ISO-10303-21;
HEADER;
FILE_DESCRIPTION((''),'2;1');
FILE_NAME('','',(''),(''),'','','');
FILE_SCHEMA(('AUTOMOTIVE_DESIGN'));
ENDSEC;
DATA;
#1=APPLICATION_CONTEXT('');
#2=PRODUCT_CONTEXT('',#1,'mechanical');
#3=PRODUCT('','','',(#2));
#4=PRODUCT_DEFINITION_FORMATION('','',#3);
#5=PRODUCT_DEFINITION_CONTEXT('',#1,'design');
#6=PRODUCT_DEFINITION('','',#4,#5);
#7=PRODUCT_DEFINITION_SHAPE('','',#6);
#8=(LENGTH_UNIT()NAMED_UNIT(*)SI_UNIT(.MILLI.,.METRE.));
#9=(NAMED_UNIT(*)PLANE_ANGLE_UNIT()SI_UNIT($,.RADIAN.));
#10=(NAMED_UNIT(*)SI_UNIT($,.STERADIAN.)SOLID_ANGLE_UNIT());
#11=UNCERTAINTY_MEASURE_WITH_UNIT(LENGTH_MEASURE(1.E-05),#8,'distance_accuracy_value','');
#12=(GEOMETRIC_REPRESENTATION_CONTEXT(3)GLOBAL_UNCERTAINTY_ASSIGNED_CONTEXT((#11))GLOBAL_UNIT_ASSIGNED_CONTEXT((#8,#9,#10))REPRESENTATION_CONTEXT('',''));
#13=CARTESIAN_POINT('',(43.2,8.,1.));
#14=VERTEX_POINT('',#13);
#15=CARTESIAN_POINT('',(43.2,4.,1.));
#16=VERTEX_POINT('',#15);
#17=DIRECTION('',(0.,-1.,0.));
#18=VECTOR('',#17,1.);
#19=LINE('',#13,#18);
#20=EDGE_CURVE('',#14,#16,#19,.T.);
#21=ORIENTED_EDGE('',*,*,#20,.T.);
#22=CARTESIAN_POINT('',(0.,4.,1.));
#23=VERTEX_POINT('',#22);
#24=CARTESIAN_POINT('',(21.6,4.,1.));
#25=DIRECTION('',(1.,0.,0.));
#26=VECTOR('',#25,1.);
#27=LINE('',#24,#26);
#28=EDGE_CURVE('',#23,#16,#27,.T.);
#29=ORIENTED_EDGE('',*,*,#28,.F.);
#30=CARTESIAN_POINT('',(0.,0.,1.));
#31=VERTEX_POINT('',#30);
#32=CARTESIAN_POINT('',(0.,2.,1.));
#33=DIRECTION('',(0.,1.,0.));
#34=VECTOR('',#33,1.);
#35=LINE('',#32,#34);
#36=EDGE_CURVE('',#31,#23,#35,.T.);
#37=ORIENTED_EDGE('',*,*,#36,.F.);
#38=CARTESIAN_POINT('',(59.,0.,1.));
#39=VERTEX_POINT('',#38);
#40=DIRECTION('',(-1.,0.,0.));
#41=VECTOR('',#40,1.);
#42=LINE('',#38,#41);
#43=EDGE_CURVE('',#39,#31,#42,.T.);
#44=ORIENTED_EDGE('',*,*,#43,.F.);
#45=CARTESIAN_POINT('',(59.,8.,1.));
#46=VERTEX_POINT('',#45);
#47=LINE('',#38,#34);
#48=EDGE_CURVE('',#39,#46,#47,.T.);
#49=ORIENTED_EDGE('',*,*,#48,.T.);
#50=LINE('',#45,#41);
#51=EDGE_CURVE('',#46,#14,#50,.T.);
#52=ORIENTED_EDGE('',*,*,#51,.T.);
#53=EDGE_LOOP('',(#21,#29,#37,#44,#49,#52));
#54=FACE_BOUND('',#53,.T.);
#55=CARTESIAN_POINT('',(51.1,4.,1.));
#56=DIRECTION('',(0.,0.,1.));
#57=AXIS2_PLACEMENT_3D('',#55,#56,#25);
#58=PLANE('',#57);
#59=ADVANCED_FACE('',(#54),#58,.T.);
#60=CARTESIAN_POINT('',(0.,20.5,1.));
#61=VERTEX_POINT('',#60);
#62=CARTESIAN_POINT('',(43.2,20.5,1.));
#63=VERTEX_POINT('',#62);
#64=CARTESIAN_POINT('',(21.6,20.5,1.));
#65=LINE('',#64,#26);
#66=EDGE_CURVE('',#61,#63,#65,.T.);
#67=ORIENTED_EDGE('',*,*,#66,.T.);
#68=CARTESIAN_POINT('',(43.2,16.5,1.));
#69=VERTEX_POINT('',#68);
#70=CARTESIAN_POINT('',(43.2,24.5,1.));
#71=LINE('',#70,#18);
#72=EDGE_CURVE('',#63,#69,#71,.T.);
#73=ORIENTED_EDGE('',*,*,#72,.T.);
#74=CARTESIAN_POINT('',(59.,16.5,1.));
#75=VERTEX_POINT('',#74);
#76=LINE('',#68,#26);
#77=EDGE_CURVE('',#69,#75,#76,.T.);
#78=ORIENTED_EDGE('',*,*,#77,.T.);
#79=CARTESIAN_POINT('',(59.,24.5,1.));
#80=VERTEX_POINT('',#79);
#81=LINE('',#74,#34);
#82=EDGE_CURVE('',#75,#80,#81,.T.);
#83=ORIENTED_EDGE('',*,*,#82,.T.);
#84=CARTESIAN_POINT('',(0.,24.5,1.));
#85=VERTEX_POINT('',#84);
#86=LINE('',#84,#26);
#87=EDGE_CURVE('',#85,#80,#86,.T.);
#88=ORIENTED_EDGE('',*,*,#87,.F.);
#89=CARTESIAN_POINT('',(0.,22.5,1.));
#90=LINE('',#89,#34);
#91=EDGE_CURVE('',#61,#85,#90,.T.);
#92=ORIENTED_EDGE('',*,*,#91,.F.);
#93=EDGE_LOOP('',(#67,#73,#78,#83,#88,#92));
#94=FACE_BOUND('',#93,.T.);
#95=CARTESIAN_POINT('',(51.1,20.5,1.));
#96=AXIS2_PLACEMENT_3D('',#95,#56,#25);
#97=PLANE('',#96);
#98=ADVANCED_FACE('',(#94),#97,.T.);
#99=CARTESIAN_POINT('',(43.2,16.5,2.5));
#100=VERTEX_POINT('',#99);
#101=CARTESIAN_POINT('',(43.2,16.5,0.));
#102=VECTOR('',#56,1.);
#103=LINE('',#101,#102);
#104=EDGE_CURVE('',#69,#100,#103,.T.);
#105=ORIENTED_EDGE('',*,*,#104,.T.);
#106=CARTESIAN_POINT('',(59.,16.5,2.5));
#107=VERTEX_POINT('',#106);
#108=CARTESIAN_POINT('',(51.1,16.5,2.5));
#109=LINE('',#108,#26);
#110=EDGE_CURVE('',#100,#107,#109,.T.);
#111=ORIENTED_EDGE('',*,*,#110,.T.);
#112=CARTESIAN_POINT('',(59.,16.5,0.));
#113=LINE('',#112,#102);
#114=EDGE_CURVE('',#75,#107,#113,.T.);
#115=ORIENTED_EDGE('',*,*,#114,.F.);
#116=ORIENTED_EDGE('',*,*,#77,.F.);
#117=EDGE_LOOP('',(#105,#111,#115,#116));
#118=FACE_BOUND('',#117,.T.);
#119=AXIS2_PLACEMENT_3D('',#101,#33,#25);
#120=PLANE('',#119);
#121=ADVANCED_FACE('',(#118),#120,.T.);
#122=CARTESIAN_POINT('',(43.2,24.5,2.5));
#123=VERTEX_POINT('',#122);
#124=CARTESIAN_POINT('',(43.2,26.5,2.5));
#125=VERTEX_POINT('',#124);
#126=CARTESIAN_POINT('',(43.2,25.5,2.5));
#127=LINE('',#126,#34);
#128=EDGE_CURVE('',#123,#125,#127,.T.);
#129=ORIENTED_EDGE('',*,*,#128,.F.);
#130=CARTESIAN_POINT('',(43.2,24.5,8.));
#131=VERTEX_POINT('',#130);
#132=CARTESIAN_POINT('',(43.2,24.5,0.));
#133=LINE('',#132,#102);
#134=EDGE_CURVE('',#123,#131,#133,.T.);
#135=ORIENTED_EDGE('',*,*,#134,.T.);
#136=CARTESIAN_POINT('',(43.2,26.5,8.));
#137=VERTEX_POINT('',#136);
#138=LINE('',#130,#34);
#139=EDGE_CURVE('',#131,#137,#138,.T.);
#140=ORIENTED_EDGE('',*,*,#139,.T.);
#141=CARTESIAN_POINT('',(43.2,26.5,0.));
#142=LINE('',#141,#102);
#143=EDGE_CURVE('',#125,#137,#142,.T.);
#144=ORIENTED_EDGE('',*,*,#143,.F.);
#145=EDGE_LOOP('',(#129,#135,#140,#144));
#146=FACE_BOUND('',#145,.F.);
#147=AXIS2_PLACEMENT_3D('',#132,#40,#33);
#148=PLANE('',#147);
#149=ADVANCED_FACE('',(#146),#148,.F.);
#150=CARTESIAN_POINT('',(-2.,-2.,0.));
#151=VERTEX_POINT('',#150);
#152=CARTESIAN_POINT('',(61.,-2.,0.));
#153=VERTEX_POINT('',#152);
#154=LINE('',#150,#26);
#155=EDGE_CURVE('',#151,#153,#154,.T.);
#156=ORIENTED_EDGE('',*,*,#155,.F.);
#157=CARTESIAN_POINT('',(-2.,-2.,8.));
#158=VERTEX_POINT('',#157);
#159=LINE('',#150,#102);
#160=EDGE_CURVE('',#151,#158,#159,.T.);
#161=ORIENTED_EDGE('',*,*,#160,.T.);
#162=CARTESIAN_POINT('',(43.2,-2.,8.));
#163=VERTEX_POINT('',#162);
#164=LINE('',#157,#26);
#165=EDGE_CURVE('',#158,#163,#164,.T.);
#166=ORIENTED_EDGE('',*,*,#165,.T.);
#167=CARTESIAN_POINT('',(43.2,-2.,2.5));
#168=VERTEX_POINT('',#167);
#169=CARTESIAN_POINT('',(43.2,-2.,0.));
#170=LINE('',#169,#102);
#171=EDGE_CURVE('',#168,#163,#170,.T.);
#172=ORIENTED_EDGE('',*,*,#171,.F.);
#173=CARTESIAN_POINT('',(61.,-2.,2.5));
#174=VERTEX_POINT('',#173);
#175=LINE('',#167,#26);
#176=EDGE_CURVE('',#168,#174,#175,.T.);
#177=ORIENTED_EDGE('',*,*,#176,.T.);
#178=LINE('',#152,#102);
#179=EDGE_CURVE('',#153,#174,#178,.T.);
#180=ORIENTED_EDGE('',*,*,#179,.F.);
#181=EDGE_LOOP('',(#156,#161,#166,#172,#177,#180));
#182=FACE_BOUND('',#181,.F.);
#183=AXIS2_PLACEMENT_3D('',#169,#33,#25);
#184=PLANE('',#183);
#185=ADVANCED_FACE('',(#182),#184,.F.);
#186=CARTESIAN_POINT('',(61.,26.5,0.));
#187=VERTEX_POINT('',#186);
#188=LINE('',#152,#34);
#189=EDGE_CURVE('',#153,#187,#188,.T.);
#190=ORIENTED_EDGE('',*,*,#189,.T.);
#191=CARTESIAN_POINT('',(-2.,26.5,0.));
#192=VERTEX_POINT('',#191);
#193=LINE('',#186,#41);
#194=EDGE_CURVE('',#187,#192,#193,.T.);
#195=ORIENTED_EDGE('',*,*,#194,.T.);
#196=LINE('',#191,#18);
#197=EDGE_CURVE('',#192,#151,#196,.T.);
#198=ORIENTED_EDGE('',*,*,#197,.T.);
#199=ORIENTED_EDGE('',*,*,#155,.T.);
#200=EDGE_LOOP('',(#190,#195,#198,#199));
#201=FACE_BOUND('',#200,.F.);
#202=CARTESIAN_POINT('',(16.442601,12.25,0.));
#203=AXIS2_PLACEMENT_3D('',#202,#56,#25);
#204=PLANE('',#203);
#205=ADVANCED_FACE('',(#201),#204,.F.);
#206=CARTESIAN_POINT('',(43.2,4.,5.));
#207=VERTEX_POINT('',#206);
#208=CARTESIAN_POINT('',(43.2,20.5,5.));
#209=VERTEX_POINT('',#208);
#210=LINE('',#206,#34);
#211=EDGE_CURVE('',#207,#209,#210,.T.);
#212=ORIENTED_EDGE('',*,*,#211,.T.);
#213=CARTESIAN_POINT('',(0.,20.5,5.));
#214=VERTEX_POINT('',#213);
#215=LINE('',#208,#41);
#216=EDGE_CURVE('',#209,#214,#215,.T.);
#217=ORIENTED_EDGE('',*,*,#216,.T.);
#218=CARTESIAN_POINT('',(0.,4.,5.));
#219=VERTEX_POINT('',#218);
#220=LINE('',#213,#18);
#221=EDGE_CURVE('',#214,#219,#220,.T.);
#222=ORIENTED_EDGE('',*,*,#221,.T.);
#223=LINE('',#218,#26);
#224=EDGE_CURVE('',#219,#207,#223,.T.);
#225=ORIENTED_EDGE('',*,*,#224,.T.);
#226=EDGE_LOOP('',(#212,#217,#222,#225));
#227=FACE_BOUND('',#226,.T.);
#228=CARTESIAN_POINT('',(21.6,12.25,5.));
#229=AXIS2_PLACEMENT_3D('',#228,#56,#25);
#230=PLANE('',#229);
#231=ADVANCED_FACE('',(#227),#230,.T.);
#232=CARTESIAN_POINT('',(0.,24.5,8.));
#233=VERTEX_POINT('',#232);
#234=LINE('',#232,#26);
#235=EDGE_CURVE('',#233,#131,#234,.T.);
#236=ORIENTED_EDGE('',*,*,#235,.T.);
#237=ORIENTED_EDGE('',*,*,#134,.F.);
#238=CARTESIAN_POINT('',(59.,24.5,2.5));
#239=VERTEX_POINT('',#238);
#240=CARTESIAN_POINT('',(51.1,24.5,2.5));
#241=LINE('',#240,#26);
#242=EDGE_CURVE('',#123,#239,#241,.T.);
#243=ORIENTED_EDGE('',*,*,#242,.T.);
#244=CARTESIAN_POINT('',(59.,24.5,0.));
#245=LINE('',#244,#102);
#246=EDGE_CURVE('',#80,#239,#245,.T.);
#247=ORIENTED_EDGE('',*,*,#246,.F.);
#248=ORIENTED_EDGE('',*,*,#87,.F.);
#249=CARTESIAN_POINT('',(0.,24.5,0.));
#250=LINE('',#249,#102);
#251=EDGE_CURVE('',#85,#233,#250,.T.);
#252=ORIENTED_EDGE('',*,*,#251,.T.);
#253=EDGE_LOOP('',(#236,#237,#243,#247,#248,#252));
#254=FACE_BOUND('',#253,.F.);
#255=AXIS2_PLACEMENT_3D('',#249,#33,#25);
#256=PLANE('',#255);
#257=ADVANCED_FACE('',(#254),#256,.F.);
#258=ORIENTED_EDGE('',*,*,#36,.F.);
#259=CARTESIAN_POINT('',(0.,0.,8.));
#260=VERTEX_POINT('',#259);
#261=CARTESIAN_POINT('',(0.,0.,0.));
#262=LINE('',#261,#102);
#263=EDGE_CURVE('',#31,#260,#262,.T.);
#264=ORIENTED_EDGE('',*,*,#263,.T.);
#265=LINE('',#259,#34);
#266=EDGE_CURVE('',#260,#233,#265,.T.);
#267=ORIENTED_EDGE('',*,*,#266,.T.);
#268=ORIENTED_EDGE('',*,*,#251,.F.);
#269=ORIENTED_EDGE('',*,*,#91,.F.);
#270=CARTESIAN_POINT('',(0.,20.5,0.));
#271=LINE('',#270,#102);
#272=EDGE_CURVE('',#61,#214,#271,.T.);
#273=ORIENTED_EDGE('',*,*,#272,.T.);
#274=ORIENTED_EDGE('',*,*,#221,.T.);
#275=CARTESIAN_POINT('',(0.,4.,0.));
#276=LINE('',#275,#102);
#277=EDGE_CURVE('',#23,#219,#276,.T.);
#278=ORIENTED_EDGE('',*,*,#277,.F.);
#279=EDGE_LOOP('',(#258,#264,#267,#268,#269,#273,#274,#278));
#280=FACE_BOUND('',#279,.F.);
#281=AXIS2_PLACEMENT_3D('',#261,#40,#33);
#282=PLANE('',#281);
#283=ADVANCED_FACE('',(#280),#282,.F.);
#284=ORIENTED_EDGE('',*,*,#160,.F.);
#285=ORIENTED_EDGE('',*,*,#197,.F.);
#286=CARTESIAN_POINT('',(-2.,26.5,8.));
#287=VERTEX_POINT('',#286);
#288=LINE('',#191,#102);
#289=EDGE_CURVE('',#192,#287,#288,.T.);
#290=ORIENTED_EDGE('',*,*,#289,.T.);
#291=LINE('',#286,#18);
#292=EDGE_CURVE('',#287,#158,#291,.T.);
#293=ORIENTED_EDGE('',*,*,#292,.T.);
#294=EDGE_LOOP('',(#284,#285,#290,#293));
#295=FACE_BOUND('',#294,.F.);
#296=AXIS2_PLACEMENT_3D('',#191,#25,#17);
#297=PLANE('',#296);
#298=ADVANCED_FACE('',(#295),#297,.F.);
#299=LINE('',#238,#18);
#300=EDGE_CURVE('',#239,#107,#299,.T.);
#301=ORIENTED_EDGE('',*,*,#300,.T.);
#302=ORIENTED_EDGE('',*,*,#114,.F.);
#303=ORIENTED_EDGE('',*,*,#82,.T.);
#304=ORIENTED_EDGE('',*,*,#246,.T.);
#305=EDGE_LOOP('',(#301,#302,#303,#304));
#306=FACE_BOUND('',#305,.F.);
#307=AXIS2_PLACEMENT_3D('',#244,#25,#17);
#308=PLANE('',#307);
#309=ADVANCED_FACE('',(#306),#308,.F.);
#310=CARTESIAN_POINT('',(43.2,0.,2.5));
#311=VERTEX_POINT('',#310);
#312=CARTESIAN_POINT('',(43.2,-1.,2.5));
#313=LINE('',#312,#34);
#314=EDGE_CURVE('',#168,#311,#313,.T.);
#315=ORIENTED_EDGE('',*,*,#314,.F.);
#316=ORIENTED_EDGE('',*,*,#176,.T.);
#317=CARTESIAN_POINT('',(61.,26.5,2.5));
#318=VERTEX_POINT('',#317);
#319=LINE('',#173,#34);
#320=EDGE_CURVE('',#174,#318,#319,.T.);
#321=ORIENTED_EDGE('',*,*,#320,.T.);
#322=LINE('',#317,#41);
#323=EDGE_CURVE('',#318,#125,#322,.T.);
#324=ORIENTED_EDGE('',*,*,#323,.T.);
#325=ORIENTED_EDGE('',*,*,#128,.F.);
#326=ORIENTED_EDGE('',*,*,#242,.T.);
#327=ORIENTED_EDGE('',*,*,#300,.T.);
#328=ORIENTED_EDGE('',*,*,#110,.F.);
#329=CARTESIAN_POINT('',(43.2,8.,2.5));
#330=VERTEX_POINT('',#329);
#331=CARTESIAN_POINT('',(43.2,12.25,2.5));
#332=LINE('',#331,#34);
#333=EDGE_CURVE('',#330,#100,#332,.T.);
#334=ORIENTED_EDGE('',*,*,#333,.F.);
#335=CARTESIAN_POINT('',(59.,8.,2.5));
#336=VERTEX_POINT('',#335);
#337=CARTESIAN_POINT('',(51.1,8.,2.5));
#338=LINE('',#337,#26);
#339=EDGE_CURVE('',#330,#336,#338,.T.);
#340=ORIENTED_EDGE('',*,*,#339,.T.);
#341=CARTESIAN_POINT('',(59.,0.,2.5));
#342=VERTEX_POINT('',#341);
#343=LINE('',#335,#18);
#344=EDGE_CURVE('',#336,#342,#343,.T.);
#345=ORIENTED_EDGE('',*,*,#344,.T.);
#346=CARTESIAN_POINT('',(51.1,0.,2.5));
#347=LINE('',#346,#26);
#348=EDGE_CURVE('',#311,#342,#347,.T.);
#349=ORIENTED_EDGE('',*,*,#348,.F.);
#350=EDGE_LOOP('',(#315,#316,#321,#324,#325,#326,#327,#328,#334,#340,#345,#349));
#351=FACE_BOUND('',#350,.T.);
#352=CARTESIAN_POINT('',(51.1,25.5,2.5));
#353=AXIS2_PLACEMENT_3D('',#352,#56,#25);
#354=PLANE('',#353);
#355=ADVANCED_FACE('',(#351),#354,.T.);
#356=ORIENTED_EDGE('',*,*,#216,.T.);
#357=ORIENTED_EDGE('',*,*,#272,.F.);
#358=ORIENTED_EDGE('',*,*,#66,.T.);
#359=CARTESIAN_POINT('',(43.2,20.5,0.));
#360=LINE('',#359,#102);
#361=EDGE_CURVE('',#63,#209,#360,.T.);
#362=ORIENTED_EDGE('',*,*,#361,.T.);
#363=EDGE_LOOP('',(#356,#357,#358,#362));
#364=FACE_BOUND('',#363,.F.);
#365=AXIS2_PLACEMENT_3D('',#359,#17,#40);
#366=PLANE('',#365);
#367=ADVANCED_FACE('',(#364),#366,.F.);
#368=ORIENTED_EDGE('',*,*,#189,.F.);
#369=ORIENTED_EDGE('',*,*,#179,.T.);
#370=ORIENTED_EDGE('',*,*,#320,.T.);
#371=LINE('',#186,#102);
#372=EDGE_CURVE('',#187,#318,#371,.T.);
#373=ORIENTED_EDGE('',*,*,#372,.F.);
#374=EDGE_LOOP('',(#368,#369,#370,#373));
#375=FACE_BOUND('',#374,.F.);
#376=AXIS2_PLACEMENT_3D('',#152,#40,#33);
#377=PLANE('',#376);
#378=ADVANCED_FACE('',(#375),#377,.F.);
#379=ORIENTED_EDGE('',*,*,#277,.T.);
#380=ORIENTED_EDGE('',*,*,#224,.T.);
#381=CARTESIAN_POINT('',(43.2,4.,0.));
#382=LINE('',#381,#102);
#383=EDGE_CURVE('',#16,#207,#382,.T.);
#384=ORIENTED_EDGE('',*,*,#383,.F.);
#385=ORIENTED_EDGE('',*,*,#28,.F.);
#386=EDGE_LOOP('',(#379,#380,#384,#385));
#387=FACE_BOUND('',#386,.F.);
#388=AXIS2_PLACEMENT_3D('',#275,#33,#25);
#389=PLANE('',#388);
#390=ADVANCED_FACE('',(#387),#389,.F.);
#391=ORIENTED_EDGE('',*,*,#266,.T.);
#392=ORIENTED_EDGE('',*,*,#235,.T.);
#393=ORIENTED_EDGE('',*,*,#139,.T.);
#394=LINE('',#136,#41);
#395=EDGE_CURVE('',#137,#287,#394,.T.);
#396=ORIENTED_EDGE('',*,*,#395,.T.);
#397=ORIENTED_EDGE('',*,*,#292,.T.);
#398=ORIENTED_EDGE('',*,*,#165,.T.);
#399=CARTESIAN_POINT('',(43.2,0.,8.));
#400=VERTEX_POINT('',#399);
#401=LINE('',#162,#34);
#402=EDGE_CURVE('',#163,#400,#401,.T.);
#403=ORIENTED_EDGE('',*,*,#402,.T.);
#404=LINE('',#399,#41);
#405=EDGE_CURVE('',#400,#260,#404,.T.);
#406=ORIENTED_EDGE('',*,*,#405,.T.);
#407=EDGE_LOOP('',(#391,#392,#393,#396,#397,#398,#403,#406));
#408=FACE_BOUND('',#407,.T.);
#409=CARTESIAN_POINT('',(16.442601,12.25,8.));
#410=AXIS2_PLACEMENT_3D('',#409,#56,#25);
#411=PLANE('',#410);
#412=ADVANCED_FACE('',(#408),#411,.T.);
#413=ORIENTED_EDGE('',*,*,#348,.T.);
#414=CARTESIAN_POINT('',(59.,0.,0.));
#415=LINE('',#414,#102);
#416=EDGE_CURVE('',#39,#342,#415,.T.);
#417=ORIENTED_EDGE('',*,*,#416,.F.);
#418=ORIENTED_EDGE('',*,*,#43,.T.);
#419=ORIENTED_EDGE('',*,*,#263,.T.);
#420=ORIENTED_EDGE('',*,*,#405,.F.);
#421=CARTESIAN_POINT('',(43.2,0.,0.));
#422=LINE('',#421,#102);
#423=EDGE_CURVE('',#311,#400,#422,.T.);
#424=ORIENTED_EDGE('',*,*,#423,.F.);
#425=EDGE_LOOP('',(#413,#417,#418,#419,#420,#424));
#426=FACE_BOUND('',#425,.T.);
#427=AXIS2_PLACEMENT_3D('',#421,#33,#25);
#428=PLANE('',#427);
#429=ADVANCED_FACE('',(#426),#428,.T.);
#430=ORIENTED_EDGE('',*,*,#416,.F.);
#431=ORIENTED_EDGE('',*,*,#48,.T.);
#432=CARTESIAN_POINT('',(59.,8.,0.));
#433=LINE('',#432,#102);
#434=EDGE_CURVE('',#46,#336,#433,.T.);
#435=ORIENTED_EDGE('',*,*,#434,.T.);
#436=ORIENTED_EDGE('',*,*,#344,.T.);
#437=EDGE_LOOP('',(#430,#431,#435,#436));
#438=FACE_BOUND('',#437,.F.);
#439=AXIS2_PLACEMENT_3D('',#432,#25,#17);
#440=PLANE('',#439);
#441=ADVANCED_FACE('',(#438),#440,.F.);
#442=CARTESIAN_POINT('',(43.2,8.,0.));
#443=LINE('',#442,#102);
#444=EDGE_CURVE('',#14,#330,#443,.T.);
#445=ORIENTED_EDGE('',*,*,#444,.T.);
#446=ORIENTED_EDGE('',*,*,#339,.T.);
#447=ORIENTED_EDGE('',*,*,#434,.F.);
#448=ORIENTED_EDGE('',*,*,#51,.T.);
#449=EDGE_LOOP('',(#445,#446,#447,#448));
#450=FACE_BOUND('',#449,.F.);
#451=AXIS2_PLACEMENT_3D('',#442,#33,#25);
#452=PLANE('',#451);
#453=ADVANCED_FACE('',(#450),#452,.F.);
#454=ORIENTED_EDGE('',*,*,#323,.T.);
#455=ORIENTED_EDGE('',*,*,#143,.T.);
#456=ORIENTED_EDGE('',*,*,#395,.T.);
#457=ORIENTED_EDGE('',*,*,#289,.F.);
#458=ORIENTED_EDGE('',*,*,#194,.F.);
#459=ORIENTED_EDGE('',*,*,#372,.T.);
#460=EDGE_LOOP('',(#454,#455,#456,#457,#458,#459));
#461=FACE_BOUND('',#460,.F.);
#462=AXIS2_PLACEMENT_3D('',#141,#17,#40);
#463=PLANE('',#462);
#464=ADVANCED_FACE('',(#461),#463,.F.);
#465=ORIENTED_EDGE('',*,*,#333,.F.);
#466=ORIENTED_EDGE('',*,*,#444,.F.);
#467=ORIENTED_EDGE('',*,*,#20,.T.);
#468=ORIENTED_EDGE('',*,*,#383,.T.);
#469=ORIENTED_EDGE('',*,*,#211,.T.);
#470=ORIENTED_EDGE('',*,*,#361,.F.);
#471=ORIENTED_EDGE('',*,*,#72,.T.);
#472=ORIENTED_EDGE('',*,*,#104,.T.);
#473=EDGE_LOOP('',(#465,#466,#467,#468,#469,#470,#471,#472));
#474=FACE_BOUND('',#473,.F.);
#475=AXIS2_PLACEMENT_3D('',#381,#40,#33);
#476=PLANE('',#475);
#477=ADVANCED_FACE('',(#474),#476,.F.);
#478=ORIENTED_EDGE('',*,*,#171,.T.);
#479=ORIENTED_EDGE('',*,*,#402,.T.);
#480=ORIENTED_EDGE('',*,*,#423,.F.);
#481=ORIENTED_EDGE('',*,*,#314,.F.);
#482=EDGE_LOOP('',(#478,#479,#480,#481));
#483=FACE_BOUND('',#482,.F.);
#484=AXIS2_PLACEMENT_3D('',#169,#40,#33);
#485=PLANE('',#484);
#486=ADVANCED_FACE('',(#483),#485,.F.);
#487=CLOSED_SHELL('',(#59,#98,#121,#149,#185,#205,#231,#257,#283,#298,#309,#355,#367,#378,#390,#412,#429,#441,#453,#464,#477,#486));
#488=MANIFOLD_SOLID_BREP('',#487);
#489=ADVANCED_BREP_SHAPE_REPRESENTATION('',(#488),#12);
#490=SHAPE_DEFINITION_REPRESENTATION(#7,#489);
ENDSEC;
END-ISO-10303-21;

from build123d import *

# Parameters (mm, degrees)
F0_W     = 43.2
F0_H     = 4
F1_DEPTH = 1
F0_W_2   = 15.8
F0_H_2   = 2
F0_H_3   = 8.5
F2_DEPTH = 2.5
F3_DEPTH = 5
F4_DEPTH = 8


with BuildPart() as f1:
    # F0 (on Top) → F1 (new body)
    with BuildSketch(Plane.XY):
        Polygon((59, 16.5), (59, 24.5), (43.2, 24.5), (43.2, 20.5), (43.2, 16.5), align=None)
        with Locations((21.6, 22.5)):
            Rectangle(F0_W, F0_H)
    extrude(amount=F1_DEPTH)



with BuildPart() as f1b:
    # F0 (on Top) → F1, piece 2 (new body)
    with BuildSketch(Plane.XY):
        Polygon((59, 0), (59, 8), (43.2, 8), (43.2, 4), (43.2, 0), align=None)
        with Locations((21.6, 2)):
            Rectangle(F0_W, F0_H)
    extrude(amount=F1_DEPTH)


with BuildPart() as f1_1:
    add(f1.part)

    add(f1b.part)  # F2 merges F1b
    # F0 (on Top) → F2 (join)
    with BuildSketch(Plane.XY):
        with Locations((51.1, 25.5)):
            Rectangle(F0_W_2, F0_H_2)
        with Locations((51.1, 12.25)):
            Rectangle(F0_W_2, F0_H_3)
        with Locations((51.1, -1)):
            Rectangle(F0_W_2, F0_H_2)
        Polygon((61, 26.5), (59, 26.5), (59, 24.5), (59, 16.5), (59, 8), (59, 0), (59, -2), (61, -2), align=None)
    extrude(amount=F2_DEPTH)

    # F0 (on Top) → F3 (join)
    with BuildSketch(Plane.XY):
        Polygon((43.2, 8), (43.2, 16.5), (43.2, 20.5), (0, 20.5), (0, 4), (43.2, 4), align=None)
    extrude(amount=F3_DEPTH)

    # F0 (on Top) → F4 (join)
    with BuildSketch(Plane.XY):
        Polygon((43.2, 24.5), (43.2, 26.5), (-2, 26.5), (-2, -2), (43.2, -2), (43.2, 0), (0, 0), (0, 4), (0, 20.5), (0, 24.5), align=None)
    extrude(amount=F4_DEPTH)


solid = f1_1.part
